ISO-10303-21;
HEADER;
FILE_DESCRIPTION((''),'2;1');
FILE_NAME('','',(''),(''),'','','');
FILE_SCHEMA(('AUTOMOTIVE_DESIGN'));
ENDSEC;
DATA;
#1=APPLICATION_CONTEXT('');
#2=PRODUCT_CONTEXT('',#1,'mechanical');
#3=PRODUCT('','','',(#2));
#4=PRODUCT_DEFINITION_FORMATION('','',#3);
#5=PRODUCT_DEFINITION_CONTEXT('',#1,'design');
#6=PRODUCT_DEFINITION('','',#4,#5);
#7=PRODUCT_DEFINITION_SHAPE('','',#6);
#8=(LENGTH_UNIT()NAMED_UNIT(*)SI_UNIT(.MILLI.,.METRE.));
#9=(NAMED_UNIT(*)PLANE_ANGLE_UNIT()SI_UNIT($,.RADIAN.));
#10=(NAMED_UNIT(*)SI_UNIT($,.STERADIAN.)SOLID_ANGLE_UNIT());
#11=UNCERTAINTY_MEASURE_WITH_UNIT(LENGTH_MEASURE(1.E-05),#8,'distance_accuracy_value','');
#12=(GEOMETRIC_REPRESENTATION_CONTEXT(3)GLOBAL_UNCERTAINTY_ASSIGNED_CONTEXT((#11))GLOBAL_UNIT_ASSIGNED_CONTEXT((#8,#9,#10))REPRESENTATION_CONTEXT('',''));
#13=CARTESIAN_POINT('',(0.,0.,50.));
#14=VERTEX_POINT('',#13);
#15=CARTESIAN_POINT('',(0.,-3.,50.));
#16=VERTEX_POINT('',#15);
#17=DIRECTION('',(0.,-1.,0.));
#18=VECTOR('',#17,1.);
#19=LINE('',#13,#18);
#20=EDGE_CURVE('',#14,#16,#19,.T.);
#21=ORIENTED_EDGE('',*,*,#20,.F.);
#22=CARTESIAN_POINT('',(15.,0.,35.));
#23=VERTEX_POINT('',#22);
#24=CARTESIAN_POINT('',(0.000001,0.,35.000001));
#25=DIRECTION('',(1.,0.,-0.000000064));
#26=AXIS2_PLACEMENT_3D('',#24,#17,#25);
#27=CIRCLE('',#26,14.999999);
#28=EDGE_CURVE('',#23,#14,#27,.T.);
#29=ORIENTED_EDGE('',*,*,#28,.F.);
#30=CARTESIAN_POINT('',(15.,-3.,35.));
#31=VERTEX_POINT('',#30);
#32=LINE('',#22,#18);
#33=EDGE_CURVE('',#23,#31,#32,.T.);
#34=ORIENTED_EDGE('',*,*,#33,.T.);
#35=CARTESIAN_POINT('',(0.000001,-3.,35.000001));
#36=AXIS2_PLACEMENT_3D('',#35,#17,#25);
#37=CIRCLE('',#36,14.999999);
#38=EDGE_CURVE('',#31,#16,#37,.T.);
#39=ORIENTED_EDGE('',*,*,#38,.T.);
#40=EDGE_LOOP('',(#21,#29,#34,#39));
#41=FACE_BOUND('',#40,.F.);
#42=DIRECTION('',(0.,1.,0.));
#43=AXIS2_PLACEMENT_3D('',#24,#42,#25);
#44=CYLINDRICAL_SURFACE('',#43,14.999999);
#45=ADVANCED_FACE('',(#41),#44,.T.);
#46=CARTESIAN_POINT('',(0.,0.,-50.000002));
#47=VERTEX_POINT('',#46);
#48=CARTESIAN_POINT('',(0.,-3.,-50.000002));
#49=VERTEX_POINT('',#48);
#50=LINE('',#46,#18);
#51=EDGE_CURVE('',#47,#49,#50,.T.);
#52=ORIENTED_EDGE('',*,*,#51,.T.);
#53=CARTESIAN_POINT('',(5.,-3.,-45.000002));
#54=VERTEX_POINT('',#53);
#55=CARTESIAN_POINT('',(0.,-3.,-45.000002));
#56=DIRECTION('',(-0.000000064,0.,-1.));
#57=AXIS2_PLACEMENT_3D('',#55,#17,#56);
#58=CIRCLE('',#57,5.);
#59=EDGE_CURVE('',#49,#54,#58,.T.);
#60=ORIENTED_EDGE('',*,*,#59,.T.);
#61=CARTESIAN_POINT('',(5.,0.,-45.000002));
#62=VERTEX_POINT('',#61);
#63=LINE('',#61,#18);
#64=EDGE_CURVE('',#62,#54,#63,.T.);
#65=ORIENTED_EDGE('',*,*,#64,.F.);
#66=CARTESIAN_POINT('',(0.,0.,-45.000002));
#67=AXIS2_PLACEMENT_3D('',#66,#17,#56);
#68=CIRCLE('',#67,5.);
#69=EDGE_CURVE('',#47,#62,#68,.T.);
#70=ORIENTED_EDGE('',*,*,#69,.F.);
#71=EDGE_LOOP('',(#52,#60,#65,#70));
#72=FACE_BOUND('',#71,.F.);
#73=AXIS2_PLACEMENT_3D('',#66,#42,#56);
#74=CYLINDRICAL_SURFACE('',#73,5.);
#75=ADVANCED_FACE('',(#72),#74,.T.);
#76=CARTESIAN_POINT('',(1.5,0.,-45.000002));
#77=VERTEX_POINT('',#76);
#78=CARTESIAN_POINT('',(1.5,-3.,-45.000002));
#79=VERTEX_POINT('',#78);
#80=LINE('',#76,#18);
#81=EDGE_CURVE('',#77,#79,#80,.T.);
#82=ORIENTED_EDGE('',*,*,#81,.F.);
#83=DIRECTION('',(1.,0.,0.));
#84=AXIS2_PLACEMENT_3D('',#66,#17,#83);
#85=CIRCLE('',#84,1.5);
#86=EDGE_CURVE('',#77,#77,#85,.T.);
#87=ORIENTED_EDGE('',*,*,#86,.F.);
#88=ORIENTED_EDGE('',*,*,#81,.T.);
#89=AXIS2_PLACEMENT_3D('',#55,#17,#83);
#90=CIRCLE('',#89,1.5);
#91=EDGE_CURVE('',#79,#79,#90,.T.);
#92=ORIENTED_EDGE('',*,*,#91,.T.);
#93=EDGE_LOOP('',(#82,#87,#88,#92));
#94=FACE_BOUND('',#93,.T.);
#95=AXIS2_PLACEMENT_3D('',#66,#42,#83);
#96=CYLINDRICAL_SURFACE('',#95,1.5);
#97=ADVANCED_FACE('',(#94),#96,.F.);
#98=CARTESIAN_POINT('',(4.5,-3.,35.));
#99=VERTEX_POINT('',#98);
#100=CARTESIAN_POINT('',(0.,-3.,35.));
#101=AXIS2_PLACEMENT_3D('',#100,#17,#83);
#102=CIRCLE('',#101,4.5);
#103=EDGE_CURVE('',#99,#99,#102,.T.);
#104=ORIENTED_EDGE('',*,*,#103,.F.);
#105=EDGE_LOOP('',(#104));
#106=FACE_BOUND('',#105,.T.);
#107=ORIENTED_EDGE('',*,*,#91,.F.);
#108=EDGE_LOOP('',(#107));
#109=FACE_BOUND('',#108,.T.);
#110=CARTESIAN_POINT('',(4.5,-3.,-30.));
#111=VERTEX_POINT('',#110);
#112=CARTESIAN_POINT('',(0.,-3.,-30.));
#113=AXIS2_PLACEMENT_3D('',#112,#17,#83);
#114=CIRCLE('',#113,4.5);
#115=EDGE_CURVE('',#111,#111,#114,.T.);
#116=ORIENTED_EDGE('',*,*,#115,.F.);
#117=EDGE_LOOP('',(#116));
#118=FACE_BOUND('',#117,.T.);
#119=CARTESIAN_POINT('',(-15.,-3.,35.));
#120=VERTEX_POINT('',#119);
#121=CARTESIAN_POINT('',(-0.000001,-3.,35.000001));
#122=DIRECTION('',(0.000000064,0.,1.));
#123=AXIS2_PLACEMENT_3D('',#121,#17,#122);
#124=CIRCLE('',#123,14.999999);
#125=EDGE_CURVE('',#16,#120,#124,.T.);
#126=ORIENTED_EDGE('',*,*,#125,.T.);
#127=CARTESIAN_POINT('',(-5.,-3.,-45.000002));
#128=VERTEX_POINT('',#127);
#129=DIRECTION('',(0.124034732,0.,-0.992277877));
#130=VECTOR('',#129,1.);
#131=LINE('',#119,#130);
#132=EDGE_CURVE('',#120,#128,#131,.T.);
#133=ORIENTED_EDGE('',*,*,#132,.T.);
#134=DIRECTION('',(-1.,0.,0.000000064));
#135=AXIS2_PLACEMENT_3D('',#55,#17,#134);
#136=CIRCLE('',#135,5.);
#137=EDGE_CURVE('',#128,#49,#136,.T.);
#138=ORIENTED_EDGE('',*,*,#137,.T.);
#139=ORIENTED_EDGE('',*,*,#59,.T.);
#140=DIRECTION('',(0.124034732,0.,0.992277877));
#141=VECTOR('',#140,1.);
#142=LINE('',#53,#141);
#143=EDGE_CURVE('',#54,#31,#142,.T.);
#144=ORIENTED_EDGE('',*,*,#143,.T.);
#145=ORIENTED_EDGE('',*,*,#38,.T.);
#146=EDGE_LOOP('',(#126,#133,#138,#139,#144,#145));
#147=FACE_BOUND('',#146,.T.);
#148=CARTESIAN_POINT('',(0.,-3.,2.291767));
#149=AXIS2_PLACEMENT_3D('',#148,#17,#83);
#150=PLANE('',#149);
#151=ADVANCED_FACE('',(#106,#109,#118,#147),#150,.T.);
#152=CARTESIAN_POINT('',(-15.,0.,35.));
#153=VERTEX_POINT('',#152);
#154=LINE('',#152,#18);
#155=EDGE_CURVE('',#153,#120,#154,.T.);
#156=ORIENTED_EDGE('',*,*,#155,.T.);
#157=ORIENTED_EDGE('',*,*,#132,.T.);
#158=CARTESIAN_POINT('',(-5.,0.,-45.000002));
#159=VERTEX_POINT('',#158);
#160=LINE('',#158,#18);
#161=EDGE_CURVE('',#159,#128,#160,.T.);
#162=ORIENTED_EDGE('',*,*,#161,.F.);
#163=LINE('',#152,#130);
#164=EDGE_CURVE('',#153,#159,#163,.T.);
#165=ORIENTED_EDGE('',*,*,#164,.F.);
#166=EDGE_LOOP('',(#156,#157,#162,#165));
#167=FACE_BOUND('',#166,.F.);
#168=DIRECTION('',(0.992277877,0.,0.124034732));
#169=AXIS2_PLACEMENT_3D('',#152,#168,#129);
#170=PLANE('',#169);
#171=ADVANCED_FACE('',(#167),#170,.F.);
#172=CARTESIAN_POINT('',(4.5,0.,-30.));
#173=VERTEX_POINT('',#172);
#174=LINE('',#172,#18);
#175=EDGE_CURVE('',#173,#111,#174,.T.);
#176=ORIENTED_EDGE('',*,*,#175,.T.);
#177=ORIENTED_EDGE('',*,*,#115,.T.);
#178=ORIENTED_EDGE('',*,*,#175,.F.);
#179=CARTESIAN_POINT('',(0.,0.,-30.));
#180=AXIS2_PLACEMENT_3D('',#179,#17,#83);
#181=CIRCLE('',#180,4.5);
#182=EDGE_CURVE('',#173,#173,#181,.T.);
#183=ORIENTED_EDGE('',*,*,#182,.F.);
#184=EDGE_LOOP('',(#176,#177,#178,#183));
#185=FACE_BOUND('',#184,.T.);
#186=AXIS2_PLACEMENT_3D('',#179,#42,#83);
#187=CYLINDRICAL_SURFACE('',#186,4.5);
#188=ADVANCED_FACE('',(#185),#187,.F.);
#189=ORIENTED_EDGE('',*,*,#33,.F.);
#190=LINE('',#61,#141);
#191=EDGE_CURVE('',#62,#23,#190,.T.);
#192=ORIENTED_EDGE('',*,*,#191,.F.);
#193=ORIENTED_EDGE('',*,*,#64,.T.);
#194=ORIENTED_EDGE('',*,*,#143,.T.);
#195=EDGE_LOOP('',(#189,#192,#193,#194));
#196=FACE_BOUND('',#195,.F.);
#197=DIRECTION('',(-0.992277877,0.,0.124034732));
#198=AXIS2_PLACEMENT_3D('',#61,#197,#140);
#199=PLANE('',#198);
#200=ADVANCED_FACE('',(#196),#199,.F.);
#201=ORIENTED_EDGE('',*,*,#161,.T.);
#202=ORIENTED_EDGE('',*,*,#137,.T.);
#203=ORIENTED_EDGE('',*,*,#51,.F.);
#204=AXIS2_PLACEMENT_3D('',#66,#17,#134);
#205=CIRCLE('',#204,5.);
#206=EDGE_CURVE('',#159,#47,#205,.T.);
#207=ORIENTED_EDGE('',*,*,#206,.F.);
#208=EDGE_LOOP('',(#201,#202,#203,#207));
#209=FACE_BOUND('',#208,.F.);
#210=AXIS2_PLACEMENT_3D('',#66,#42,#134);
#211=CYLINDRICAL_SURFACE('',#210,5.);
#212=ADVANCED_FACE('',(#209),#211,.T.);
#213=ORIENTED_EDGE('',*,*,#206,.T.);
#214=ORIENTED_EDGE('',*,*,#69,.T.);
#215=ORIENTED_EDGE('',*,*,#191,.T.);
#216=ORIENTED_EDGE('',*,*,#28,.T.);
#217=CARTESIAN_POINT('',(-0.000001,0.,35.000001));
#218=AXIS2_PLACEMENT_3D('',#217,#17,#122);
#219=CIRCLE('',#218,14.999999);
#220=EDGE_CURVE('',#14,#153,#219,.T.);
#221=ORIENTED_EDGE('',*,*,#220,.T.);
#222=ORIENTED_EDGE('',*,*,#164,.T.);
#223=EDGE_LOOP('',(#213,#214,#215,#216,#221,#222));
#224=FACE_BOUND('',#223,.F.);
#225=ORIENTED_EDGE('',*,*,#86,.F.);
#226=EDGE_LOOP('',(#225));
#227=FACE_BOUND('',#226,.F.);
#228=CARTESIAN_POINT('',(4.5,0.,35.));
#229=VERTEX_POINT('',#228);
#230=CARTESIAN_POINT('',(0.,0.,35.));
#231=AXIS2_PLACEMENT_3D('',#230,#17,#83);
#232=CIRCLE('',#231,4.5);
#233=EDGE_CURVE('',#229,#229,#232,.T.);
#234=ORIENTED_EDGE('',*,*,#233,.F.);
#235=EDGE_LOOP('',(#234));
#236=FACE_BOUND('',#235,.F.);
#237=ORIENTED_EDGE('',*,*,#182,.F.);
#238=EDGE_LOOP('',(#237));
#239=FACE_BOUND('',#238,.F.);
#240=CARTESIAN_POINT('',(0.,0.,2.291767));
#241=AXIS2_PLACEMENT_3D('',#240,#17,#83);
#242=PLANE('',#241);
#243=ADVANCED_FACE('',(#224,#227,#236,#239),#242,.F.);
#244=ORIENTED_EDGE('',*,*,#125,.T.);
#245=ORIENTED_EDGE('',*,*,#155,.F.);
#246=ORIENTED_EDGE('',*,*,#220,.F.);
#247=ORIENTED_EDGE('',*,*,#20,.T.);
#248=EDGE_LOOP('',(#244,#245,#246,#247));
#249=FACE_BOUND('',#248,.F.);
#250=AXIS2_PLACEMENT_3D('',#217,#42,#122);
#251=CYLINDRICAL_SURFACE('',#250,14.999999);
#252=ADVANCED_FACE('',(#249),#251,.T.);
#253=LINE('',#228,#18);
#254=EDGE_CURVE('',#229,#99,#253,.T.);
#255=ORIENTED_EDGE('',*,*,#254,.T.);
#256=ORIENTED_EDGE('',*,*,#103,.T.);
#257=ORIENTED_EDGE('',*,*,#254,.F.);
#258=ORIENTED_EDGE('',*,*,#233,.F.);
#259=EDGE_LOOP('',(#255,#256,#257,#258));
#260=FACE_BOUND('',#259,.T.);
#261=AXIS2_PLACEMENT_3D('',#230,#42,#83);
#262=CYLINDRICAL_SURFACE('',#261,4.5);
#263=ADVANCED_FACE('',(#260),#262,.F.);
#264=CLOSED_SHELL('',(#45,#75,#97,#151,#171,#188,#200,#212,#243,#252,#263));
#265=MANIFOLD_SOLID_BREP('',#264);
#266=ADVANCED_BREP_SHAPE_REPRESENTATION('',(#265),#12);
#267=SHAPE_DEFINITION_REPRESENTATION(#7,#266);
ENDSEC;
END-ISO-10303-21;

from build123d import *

# Parameters (mm, degrees)
F0_R     = 1.5
F0_R_2   = 4.5
F1_DEPTH = 3


with BuildPart() as f1:
    # F0 (on Front) → F1 (new body)
    with BuildSketch(Plane.XZ):
        with BuildLine():
            ThreePointArc((-5, -45.000002), (-3.535534, -48.535536), (0, -50.000002))
            ThreePointArc((0, -50.000002), (3.535534, -48.535536), (5, -45.000002))
            Line((5, -45.000002), (15, 35))
            ThreePointArc((15, 35), (10.606602, 45.606602), (0, 50))
            ThreePointArc((0, 50), (-10.606602, 45.606602), (-15, 35))
            Line((-15, 35), (-5, -45.000002))
        make_face()
        with Locations((0, -45.000002)):
            Circle(F0_R, mode=Mode.SUBTRACT)
        with Locations((0, -30)):
            Circle(F0_R_2, mode=Mode.SUBTRACT)
        with Locations((0, 35)):
            Circle(F0_R_2, mode=Mode.SUBTRACT)
    extrude(amount=F1_DEPTH)


solid = f1.part
